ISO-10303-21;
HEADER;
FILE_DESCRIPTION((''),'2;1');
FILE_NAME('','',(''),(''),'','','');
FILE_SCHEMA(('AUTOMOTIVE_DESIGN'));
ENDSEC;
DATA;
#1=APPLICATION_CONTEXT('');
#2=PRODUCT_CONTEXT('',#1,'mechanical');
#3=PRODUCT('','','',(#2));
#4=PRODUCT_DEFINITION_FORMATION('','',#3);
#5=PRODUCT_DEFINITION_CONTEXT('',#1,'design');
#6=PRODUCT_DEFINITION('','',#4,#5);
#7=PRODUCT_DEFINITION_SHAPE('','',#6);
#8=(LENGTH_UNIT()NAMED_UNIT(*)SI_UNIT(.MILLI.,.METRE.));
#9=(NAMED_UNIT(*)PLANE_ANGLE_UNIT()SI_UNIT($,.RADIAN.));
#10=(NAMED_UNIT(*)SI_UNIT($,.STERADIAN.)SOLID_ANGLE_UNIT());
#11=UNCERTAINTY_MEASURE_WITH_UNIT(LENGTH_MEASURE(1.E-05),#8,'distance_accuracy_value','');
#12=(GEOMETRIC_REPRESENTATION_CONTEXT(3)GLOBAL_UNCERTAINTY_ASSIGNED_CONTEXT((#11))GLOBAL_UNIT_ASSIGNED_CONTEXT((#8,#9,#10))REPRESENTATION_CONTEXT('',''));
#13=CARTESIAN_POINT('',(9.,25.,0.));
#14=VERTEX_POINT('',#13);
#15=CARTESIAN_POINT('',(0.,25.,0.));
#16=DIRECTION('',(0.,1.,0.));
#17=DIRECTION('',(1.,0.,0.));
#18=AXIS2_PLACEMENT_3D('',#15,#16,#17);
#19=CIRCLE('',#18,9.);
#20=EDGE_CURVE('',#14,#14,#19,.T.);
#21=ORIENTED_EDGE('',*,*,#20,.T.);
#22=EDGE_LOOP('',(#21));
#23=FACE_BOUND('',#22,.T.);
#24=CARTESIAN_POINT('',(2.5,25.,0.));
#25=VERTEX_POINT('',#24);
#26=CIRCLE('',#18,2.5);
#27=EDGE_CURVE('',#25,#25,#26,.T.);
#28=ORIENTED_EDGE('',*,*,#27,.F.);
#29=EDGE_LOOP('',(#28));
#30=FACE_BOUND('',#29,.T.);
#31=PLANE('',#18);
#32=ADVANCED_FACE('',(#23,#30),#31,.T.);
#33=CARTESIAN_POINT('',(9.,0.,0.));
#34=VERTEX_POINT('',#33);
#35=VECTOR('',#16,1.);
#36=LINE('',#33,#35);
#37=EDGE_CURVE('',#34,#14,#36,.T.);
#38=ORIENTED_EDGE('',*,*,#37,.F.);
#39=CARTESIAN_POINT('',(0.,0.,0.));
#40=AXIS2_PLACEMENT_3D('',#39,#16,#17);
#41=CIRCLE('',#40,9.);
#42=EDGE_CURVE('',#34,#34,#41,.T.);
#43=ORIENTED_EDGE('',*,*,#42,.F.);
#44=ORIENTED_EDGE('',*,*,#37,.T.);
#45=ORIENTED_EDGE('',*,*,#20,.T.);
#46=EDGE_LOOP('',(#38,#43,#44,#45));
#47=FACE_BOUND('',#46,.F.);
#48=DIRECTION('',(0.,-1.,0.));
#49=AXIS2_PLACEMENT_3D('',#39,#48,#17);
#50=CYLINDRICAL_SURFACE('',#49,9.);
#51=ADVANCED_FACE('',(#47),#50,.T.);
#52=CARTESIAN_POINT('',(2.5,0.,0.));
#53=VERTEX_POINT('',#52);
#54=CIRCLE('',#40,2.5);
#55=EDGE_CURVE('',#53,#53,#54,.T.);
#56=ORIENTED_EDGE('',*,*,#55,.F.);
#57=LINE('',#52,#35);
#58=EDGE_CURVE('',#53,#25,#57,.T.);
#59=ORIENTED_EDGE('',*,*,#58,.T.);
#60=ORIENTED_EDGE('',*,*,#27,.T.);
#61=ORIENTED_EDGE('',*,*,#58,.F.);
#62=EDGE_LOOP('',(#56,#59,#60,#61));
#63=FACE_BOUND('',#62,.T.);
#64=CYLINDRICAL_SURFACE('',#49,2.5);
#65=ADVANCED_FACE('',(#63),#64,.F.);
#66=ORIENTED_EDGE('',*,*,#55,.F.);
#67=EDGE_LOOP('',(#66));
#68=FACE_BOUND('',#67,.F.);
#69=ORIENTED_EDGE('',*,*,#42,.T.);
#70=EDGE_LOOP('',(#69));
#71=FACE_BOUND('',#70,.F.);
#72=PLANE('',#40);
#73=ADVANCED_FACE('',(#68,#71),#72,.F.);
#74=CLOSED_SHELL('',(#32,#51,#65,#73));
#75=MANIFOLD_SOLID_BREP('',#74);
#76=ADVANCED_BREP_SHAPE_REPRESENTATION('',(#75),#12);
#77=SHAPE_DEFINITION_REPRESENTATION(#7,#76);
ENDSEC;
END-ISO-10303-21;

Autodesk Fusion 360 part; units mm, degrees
sketch "Sketch1" plane through (0, 0, 0) normal (0, 1, 0) x (1, 0, 0)
  circle A0 centre (0, 0) radius 9
  circle A1 centre (0, 0) radius 2.5
  dimension "d1" = 18
  dimension "d4" = 5
extrude "Extrude1" add sketch "Sketch1" along normal blind 25
